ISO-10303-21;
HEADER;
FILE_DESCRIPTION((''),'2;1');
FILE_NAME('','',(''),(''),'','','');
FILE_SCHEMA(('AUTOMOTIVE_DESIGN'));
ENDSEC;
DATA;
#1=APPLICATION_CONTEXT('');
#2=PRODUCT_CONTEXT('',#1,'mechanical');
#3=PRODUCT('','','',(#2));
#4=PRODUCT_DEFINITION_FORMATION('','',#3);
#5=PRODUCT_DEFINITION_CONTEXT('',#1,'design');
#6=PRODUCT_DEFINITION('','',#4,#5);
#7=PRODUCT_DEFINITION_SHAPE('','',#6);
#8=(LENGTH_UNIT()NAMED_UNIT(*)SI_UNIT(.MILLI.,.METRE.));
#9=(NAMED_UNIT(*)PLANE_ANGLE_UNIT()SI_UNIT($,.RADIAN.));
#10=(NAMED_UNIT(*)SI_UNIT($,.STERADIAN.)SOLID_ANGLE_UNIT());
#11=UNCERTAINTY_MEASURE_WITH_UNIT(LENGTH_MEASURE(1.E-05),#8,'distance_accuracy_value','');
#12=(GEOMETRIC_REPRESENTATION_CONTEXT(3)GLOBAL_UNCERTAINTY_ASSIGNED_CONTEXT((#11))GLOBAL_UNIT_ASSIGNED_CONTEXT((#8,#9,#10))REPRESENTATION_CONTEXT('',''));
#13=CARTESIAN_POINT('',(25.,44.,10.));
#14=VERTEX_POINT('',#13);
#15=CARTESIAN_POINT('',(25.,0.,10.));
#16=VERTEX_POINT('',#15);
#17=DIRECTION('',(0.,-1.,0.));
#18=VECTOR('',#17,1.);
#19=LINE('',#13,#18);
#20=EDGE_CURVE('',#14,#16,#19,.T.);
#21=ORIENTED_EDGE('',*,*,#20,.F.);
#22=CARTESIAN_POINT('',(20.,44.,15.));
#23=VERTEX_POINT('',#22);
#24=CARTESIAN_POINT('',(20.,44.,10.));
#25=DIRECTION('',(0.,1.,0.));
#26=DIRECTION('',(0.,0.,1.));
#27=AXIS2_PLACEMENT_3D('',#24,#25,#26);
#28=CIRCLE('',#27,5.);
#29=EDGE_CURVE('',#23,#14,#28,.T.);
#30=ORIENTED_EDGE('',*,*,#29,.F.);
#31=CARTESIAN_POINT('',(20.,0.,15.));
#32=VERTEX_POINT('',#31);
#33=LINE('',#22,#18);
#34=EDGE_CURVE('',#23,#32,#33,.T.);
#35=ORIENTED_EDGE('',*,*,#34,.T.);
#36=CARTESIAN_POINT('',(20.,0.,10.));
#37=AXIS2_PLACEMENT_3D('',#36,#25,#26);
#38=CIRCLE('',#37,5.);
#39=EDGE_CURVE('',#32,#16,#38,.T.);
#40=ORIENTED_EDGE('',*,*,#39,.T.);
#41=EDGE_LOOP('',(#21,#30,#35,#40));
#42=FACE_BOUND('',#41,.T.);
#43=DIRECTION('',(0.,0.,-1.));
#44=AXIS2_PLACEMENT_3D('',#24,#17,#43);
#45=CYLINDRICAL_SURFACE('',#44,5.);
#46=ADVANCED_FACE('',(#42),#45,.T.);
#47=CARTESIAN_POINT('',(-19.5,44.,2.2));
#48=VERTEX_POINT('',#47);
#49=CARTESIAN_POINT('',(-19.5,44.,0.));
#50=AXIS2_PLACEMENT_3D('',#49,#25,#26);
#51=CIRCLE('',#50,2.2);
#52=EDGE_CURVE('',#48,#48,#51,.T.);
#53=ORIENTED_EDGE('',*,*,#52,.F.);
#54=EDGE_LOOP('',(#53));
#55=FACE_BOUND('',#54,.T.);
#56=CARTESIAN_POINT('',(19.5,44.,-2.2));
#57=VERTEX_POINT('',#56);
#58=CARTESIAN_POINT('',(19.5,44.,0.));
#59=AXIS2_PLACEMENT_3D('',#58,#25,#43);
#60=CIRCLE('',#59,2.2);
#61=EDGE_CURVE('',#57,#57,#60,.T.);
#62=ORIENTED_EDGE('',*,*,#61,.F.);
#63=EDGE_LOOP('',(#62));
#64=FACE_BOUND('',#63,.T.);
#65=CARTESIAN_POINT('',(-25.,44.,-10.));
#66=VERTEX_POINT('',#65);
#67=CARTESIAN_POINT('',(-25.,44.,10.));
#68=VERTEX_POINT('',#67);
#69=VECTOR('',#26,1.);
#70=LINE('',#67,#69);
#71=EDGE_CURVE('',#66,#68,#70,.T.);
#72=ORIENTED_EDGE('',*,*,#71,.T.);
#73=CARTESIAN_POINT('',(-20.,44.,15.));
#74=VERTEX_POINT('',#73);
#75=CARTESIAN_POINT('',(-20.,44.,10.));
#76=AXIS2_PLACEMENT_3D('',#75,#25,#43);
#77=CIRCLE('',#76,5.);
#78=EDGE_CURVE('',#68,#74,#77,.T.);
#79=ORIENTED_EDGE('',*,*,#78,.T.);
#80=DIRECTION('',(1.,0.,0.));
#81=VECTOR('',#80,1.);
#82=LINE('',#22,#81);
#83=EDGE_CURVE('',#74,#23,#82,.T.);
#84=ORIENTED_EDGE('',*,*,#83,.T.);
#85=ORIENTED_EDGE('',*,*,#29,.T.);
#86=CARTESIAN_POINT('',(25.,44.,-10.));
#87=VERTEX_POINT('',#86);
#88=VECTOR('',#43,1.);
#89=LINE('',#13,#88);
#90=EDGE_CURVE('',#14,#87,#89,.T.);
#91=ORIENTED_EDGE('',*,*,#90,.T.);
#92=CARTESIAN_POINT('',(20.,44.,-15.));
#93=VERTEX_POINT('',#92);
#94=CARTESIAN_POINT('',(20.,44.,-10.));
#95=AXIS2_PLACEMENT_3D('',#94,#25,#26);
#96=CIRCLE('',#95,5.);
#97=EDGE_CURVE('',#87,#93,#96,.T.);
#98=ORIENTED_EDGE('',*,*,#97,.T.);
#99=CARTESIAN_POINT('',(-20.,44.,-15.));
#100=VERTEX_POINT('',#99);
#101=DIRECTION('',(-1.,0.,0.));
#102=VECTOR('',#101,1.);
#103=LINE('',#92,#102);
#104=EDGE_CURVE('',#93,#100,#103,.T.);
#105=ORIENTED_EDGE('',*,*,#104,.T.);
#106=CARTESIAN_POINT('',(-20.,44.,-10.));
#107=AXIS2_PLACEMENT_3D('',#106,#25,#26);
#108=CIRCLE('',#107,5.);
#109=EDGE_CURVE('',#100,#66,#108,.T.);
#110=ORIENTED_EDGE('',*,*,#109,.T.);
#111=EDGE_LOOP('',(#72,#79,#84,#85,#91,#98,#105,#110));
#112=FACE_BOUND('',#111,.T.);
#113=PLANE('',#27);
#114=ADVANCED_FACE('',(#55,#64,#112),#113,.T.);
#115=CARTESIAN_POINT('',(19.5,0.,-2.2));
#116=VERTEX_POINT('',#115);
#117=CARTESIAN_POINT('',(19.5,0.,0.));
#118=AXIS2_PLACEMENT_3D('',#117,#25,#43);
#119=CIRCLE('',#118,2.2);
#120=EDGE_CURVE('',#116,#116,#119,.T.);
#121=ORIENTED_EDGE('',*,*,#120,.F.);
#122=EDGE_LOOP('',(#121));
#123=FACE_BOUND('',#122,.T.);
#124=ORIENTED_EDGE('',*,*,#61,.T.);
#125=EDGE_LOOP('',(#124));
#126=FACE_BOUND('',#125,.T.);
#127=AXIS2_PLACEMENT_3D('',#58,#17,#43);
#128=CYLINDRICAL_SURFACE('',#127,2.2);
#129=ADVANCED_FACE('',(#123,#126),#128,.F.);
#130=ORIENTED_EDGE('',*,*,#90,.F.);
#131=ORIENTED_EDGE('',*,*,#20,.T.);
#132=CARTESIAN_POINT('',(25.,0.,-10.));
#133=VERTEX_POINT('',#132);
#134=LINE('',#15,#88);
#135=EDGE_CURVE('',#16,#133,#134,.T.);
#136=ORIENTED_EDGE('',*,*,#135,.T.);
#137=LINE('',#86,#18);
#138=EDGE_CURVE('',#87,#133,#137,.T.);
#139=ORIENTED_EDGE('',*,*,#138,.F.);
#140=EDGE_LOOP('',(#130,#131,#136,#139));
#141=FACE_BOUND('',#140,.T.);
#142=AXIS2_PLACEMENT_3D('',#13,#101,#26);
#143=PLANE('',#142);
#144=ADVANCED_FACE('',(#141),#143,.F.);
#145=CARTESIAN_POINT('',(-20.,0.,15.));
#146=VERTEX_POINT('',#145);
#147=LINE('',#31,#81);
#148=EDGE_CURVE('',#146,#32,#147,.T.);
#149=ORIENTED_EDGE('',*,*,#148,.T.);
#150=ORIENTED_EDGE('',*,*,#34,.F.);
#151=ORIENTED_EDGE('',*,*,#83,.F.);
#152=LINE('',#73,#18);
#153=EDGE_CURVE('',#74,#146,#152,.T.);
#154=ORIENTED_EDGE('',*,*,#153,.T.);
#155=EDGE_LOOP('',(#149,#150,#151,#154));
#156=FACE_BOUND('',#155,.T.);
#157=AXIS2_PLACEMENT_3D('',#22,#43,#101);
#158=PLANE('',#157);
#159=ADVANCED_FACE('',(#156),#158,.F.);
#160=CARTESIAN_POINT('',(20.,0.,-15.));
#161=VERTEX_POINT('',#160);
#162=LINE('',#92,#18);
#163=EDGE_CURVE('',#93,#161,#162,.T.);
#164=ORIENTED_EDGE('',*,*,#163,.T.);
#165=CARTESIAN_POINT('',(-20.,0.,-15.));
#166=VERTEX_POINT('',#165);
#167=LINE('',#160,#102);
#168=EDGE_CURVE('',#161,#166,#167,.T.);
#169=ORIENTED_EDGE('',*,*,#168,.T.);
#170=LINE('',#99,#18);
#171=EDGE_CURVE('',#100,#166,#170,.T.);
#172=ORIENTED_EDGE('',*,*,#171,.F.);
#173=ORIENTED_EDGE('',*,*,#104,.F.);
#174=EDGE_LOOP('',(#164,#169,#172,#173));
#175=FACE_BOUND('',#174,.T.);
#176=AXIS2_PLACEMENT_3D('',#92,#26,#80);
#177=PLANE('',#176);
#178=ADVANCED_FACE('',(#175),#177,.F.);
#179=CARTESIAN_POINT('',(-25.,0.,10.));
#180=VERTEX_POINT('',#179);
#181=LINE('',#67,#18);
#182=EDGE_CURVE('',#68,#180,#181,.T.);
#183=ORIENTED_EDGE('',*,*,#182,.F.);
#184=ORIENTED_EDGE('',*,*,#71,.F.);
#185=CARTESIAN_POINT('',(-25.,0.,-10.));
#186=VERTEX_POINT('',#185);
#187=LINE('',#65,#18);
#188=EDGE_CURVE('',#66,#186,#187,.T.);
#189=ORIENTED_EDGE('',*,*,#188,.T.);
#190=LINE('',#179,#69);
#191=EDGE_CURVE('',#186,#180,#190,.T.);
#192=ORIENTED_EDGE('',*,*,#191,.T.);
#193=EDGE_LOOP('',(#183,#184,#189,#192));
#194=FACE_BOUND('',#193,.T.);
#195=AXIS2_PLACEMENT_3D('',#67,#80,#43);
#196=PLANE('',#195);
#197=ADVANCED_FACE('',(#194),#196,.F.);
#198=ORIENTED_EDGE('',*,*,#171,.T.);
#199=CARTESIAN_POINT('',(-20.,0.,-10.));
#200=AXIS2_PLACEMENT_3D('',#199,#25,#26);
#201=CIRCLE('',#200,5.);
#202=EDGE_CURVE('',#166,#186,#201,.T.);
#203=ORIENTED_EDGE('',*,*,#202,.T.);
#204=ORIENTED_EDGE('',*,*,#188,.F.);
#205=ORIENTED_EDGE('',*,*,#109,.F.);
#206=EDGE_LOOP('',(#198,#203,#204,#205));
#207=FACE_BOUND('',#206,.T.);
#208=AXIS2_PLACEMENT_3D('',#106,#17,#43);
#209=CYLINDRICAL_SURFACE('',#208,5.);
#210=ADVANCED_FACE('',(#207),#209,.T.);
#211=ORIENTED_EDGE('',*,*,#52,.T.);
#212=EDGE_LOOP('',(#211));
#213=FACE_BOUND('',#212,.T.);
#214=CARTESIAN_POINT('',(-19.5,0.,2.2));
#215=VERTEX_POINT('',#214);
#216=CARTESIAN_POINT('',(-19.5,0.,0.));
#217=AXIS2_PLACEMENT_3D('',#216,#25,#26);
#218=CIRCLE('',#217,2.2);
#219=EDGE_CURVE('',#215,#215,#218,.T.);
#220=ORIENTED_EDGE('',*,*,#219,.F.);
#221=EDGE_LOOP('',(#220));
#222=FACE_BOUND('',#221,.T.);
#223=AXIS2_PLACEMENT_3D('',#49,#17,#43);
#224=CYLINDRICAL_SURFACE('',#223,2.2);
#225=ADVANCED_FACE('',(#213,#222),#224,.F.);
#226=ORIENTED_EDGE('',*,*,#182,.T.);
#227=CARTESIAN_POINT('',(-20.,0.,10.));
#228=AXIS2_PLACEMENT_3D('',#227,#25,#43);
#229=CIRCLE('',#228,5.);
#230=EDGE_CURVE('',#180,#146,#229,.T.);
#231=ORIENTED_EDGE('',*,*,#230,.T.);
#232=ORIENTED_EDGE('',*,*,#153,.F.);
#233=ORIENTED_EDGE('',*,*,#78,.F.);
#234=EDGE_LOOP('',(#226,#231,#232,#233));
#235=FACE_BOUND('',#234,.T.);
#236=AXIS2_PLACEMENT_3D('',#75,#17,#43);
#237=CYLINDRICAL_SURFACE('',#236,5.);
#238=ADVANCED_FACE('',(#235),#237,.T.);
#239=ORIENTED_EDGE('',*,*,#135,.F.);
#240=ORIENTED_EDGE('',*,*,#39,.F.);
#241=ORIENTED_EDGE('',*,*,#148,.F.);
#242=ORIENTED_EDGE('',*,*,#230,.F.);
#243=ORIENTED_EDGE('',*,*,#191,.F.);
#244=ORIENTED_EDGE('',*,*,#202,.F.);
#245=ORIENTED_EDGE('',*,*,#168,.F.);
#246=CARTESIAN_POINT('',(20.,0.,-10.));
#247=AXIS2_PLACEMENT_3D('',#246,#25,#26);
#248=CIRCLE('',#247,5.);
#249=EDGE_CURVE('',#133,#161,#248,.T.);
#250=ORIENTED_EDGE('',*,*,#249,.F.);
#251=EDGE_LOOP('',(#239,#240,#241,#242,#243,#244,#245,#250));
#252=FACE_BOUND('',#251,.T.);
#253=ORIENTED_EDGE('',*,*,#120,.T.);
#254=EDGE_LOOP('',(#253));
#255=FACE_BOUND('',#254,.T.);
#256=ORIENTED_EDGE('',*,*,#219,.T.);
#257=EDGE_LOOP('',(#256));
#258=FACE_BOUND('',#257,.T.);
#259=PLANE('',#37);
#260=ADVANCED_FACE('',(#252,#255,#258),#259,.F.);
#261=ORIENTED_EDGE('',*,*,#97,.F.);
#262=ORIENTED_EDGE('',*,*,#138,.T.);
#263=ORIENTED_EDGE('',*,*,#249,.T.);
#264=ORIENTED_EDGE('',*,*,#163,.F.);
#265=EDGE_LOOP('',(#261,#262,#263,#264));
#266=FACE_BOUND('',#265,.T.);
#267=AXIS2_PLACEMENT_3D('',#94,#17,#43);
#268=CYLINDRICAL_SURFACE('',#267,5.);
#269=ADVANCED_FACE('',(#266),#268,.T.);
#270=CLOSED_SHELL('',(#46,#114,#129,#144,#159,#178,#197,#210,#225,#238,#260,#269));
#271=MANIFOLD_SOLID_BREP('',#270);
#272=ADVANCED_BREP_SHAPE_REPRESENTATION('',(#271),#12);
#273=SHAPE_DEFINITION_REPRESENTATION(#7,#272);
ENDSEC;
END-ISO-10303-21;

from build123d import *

# Parameters (mm, degrees)
SKETCH1_R           = 2.2
BOSS_EXTRUDE1_DEPTH = 44


with BuildPart() as part:
    # Sketch1 → Boss-Extrude1 (new body)
    with BuildSketch(Plane(origin=(0, 0, 0), x_dir=(1, 0, 0), z_dir=(0, 1, 0))):
        with BuildLine():
            Line((20, -15), (-20, -15))
            ThreePointArc((-20, -15), (-23.535533906, -13.535533906), (-25, -10))
            Line((-25, -10), (-25, 10))
            ThreePointArc((-25, 10), (-23.535533906, 13.535533906), (-20, 15))
            Line((-20, 15), (20, 15))
            ThreePointArc((20, 15), (23.535533906, 13.535533906), (25, 10))
            Line((25, 10), (25, -10))
            ThreePointArc((25, -10), (23.535533906, -13.535533906), (20, -15))
        make_face()
        with Locations((-19.5, 0)):
            Circle(SKETCH1_R, mode=Mode.SUBTRACT)
        with Locations((19.5, 0)):
            Circle(SKETCH1_R, mode=Mode.SUBTRACT)
    extrude(amount=BOSS_EXTRUDE1_DEPTH)


solid = part.part
